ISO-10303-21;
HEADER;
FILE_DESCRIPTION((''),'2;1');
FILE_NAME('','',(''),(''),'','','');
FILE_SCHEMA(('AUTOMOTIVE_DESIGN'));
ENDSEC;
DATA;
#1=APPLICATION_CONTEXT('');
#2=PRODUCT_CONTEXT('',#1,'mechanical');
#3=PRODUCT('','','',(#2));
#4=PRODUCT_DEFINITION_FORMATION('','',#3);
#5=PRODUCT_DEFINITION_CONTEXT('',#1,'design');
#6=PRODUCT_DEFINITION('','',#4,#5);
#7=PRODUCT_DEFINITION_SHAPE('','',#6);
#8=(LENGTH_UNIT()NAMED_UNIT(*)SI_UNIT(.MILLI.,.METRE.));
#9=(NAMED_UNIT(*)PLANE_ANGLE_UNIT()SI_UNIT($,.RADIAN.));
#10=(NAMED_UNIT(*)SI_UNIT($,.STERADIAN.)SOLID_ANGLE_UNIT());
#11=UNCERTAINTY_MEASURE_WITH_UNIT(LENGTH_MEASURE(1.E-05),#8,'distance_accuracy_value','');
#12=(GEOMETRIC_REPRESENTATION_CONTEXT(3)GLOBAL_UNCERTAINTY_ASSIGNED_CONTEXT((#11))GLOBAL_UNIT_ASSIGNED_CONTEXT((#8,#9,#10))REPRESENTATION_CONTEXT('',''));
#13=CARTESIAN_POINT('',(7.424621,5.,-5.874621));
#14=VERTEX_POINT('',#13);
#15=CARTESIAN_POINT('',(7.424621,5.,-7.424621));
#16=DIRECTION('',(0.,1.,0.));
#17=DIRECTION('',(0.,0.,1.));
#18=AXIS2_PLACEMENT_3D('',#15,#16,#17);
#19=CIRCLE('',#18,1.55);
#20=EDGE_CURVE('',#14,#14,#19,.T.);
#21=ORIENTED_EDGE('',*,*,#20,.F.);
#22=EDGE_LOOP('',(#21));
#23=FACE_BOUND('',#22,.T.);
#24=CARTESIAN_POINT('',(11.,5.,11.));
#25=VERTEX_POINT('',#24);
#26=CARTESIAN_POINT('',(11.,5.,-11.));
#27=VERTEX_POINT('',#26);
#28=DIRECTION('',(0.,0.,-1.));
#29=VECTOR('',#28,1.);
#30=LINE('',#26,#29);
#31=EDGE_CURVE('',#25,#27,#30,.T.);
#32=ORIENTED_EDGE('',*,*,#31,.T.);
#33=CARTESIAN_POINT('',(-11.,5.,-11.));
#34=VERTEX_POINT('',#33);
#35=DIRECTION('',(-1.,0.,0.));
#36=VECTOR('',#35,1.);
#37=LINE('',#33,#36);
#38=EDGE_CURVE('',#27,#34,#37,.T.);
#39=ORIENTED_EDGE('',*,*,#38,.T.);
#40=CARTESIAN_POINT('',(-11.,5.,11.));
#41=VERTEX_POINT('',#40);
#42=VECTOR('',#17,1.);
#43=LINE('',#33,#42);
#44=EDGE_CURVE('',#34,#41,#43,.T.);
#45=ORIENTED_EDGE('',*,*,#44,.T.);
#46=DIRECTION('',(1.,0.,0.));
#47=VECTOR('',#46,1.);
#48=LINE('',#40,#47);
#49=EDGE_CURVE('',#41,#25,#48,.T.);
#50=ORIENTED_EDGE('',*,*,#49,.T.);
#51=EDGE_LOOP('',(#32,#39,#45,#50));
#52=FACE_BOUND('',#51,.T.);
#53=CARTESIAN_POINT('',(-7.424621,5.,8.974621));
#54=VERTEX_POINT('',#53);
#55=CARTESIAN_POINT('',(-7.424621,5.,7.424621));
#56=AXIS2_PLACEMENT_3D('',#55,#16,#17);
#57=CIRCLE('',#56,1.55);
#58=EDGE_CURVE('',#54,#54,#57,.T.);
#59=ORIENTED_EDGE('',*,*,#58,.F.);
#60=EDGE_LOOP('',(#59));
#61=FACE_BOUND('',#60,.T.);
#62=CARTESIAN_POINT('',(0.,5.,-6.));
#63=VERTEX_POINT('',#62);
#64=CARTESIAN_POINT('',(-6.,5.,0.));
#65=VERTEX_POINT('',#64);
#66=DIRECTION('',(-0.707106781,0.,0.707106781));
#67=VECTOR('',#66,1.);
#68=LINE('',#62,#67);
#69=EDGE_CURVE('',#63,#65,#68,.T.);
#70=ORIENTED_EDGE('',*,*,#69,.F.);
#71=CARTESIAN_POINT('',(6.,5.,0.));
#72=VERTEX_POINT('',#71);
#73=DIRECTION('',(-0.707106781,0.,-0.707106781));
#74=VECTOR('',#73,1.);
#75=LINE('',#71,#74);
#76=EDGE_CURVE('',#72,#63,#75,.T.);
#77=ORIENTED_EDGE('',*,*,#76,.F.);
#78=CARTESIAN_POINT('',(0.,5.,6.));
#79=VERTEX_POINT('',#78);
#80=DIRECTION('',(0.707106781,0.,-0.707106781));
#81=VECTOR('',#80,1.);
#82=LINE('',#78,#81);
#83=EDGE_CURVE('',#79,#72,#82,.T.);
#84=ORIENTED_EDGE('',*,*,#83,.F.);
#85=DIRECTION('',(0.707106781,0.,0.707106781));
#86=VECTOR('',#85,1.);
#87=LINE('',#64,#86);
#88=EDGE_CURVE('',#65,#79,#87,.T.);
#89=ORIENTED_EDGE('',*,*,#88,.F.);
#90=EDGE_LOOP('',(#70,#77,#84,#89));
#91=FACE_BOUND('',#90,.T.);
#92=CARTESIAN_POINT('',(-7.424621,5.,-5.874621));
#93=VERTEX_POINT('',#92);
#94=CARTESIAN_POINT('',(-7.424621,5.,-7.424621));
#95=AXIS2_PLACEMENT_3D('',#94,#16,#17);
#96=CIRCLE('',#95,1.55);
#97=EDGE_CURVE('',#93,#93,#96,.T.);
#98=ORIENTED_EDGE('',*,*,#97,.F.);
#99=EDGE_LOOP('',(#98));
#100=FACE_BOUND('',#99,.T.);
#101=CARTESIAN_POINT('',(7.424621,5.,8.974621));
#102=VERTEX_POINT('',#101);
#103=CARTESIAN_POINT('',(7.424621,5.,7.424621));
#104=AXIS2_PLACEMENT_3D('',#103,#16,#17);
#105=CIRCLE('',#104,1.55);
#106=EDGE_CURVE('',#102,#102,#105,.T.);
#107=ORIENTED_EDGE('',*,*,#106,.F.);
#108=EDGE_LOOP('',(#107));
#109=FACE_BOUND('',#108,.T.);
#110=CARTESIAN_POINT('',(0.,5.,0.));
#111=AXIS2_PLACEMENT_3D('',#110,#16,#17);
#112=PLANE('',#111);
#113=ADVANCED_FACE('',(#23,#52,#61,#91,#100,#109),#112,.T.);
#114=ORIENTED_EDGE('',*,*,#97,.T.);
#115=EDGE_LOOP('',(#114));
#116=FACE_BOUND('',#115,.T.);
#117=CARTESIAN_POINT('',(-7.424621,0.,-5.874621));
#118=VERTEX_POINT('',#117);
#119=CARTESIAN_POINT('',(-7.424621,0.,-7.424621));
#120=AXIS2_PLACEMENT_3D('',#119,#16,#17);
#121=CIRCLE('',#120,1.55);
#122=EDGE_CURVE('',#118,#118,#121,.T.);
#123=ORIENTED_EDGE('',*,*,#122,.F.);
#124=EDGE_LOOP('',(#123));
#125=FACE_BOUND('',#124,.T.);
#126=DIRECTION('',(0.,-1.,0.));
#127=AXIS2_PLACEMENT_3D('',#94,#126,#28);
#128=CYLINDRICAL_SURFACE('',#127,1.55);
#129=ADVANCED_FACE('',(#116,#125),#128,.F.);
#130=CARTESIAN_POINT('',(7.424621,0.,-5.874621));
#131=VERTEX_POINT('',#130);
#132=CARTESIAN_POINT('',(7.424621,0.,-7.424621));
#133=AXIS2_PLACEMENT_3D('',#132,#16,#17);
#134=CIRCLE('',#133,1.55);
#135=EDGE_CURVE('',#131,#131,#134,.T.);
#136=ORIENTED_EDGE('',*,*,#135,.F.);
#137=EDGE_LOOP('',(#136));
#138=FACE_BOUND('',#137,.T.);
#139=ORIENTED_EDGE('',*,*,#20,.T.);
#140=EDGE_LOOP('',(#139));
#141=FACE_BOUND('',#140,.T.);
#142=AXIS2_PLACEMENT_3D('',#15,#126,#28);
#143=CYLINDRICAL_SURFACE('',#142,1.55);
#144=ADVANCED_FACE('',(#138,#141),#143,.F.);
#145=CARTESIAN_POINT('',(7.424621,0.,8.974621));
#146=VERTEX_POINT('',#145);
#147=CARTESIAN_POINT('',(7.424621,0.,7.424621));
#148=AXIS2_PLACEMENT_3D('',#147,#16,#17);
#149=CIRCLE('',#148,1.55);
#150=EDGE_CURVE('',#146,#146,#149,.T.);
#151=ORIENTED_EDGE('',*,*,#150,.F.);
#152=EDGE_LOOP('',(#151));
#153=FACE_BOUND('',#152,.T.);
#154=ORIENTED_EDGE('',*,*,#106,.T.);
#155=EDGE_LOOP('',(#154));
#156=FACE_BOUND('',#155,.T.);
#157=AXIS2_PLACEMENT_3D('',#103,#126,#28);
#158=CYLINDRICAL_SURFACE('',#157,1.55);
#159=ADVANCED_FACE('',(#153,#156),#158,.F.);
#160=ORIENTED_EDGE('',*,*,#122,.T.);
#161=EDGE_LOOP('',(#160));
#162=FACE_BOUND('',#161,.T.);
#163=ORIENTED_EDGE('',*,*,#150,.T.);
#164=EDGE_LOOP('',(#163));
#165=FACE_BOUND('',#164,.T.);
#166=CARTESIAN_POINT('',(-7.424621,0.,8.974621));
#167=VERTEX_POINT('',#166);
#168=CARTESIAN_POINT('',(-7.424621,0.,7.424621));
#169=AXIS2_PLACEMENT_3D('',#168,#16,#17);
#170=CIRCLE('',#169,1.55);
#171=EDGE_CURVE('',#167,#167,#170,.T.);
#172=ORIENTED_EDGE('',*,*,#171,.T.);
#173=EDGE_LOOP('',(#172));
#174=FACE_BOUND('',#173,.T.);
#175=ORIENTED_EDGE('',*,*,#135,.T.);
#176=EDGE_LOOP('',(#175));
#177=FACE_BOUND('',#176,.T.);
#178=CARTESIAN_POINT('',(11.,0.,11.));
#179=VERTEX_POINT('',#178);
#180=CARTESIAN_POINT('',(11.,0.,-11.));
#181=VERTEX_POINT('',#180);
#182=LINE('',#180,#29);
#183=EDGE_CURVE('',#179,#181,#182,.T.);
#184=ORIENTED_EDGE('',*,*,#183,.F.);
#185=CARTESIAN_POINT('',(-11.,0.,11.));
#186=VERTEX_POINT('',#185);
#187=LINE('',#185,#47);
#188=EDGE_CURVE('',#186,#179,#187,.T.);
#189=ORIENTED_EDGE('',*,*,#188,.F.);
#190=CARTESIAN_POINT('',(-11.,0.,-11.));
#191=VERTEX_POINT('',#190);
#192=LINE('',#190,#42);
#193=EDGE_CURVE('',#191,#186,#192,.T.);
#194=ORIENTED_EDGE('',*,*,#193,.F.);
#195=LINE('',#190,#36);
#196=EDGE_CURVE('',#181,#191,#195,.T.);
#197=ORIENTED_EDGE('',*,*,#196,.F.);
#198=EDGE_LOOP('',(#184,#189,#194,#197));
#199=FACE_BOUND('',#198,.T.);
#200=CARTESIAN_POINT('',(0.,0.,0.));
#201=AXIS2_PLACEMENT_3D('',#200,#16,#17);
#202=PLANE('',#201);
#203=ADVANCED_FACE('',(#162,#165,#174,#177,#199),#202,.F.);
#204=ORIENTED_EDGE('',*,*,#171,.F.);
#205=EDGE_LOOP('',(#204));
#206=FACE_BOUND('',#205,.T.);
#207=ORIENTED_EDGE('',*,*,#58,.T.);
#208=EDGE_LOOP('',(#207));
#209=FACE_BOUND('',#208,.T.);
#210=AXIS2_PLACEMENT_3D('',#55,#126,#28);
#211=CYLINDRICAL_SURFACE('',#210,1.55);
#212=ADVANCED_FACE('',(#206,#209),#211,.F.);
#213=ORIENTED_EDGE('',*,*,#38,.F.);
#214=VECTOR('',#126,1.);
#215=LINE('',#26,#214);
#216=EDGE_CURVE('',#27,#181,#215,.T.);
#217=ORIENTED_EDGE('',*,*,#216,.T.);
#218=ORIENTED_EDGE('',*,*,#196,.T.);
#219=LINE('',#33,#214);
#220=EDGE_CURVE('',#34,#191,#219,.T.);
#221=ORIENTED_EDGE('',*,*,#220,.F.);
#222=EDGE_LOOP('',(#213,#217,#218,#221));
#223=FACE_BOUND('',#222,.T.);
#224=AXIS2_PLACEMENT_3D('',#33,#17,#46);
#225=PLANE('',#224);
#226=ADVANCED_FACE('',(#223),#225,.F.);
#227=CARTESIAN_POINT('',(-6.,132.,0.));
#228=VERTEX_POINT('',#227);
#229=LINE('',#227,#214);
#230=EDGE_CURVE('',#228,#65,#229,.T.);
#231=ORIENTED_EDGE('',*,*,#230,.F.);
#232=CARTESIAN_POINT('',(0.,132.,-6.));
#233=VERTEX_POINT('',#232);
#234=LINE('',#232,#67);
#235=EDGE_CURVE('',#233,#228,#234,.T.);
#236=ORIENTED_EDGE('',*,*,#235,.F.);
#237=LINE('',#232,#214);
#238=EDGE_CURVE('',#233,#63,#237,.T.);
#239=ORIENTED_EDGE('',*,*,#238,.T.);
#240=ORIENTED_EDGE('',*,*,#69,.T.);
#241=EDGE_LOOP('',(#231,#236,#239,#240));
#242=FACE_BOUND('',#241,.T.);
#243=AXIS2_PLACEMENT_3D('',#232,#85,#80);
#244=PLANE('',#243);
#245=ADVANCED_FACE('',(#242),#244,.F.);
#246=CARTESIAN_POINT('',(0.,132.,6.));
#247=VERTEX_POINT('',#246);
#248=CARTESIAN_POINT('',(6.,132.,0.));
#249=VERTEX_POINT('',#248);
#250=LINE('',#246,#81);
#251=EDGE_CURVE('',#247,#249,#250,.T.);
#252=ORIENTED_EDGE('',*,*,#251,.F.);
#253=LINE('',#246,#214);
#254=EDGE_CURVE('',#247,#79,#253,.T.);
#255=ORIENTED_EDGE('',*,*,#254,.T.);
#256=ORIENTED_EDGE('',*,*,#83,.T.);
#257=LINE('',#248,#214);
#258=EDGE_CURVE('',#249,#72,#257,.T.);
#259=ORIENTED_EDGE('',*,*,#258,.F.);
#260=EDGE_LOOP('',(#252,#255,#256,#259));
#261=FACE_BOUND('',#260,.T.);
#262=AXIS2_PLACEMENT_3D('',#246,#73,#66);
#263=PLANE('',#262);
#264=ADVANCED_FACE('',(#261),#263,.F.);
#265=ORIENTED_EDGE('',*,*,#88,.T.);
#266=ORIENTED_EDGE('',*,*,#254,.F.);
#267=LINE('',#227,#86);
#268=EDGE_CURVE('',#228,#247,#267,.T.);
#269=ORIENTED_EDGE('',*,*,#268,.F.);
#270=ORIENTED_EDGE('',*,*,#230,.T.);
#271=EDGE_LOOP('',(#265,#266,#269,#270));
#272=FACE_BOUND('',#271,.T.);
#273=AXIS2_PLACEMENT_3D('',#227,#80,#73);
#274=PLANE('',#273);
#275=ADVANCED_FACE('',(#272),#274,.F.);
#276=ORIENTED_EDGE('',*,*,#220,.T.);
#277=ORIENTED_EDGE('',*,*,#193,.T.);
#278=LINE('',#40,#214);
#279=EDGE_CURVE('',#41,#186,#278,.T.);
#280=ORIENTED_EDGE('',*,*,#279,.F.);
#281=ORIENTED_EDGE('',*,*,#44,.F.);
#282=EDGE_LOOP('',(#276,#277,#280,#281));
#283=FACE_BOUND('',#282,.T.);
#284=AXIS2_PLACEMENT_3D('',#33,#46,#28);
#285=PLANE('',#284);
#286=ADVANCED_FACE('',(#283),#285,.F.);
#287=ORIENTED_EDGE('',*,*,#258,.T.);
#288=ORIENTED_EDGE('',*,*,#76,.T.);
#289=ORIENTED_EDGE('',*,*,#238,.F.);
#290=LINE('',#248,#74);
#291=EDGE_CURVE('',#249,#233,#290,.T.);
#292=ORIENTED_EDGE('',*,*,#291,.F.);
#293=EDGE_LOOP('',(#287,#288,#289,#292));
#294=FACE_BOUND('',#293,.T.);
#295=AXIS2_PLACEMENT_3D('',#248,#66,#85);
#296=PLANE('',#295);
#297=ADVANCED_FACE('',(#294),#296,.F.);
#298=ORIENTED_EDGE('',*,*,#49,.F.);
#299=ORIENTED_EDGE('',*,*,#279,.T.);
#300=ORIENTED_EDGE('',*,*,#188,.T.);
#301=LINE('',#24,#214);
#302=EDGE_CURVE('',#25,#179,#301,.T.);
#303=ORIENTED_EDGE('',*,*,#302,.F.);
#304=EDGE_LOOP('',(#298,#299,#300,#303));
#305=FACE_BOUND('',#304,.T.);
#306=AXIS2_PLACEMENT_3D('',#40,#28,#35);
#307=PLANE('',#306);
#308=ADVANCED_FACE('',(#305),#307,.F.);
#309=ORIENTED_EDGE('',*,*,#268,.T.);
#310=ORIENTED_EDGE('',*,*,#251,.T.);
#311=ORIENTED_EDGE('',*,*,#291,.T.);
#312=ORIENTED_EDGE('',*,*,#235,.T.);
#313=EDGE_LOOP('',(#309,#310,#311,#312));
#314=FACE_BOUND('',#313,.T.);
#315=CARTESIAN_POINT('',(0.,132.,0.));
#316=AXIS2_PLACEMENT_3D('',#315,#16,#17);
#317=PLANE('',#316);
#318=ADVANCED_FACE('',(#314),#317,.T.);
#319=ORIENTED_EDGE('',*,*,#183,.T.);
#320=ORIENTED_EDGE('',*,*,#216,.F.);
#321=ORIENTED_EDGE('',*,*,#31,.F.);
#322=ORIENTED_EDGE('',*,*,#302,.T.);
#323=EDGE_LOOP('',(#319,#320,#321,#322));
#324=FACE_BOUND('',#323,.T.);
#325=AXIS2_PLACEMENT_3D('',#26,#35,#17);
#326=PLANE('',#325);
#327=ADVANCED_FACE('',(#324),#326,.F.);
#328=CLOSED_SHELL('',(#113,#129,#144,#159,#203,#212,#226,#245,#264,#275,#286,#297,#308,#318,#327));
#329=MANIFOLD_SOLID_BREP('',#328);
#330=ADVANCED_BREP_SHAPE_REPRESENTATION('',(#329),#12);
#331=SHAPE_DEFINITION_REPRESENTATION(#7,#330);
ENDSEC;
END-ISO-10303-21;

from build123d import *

# Parameters (mm, degrees)
SKETCH_1_W      = 22
SKETCH_1_H      = 22
SKETCH_1_R      = 1.55
EXTRUDE_1_DEPTH = 5
EXTRUDE_2_DEPTH = 127


with BuildPart() as part:
    # 草图1 → 凸台-拉伸1 (new body)
    with BuildSketch(Plane(origin=(0, 0, 0), x_dir=(1, 0, 0), z_dir=(0, 1, 0))):
        Rectangle(SKETCH_1_W, SKETCH_1_H)
        with Locations(Location((-7.424621202, 7.424621202, 0), (0, 0, 270))):
            Circle(SKETCH_1_R, mode=Mode.SUBTRACT)
        with Locations(Location((7.424621202, 7.424621202, 0), (0, 0, 270))):
            Circle(SKETCH_1_R, mode=Mode.SUBTRACT)
        with Locations(Location((7.424621202, -7.424621202, 0), (0, 0, 270))):
            Circle(SKETCH_1_R, mode=Mode.SUBTRACT)
        with Locations(Location((-7.424621202, -7.424621202, 0), (0, 0, 270))):
            Circle(SKETCH_1_R, mode=Mode.SUBTRACT)
    extrude(amount=EXTRUDE_1_DEPTH)

    # 草图2 → 凸台-拉伸2 (add)
    with BuildSketch(Plane(origin=(0, 5, 0), x_dir=(1, 0, 0), z_dir=(0, 1, 0))):
        Polygon((0, 6), (-6, 0), (0, -6), (6, 0), align=None)
    extrude(amount=EXTRUDE_2_DEPTH)


solid = part.part
